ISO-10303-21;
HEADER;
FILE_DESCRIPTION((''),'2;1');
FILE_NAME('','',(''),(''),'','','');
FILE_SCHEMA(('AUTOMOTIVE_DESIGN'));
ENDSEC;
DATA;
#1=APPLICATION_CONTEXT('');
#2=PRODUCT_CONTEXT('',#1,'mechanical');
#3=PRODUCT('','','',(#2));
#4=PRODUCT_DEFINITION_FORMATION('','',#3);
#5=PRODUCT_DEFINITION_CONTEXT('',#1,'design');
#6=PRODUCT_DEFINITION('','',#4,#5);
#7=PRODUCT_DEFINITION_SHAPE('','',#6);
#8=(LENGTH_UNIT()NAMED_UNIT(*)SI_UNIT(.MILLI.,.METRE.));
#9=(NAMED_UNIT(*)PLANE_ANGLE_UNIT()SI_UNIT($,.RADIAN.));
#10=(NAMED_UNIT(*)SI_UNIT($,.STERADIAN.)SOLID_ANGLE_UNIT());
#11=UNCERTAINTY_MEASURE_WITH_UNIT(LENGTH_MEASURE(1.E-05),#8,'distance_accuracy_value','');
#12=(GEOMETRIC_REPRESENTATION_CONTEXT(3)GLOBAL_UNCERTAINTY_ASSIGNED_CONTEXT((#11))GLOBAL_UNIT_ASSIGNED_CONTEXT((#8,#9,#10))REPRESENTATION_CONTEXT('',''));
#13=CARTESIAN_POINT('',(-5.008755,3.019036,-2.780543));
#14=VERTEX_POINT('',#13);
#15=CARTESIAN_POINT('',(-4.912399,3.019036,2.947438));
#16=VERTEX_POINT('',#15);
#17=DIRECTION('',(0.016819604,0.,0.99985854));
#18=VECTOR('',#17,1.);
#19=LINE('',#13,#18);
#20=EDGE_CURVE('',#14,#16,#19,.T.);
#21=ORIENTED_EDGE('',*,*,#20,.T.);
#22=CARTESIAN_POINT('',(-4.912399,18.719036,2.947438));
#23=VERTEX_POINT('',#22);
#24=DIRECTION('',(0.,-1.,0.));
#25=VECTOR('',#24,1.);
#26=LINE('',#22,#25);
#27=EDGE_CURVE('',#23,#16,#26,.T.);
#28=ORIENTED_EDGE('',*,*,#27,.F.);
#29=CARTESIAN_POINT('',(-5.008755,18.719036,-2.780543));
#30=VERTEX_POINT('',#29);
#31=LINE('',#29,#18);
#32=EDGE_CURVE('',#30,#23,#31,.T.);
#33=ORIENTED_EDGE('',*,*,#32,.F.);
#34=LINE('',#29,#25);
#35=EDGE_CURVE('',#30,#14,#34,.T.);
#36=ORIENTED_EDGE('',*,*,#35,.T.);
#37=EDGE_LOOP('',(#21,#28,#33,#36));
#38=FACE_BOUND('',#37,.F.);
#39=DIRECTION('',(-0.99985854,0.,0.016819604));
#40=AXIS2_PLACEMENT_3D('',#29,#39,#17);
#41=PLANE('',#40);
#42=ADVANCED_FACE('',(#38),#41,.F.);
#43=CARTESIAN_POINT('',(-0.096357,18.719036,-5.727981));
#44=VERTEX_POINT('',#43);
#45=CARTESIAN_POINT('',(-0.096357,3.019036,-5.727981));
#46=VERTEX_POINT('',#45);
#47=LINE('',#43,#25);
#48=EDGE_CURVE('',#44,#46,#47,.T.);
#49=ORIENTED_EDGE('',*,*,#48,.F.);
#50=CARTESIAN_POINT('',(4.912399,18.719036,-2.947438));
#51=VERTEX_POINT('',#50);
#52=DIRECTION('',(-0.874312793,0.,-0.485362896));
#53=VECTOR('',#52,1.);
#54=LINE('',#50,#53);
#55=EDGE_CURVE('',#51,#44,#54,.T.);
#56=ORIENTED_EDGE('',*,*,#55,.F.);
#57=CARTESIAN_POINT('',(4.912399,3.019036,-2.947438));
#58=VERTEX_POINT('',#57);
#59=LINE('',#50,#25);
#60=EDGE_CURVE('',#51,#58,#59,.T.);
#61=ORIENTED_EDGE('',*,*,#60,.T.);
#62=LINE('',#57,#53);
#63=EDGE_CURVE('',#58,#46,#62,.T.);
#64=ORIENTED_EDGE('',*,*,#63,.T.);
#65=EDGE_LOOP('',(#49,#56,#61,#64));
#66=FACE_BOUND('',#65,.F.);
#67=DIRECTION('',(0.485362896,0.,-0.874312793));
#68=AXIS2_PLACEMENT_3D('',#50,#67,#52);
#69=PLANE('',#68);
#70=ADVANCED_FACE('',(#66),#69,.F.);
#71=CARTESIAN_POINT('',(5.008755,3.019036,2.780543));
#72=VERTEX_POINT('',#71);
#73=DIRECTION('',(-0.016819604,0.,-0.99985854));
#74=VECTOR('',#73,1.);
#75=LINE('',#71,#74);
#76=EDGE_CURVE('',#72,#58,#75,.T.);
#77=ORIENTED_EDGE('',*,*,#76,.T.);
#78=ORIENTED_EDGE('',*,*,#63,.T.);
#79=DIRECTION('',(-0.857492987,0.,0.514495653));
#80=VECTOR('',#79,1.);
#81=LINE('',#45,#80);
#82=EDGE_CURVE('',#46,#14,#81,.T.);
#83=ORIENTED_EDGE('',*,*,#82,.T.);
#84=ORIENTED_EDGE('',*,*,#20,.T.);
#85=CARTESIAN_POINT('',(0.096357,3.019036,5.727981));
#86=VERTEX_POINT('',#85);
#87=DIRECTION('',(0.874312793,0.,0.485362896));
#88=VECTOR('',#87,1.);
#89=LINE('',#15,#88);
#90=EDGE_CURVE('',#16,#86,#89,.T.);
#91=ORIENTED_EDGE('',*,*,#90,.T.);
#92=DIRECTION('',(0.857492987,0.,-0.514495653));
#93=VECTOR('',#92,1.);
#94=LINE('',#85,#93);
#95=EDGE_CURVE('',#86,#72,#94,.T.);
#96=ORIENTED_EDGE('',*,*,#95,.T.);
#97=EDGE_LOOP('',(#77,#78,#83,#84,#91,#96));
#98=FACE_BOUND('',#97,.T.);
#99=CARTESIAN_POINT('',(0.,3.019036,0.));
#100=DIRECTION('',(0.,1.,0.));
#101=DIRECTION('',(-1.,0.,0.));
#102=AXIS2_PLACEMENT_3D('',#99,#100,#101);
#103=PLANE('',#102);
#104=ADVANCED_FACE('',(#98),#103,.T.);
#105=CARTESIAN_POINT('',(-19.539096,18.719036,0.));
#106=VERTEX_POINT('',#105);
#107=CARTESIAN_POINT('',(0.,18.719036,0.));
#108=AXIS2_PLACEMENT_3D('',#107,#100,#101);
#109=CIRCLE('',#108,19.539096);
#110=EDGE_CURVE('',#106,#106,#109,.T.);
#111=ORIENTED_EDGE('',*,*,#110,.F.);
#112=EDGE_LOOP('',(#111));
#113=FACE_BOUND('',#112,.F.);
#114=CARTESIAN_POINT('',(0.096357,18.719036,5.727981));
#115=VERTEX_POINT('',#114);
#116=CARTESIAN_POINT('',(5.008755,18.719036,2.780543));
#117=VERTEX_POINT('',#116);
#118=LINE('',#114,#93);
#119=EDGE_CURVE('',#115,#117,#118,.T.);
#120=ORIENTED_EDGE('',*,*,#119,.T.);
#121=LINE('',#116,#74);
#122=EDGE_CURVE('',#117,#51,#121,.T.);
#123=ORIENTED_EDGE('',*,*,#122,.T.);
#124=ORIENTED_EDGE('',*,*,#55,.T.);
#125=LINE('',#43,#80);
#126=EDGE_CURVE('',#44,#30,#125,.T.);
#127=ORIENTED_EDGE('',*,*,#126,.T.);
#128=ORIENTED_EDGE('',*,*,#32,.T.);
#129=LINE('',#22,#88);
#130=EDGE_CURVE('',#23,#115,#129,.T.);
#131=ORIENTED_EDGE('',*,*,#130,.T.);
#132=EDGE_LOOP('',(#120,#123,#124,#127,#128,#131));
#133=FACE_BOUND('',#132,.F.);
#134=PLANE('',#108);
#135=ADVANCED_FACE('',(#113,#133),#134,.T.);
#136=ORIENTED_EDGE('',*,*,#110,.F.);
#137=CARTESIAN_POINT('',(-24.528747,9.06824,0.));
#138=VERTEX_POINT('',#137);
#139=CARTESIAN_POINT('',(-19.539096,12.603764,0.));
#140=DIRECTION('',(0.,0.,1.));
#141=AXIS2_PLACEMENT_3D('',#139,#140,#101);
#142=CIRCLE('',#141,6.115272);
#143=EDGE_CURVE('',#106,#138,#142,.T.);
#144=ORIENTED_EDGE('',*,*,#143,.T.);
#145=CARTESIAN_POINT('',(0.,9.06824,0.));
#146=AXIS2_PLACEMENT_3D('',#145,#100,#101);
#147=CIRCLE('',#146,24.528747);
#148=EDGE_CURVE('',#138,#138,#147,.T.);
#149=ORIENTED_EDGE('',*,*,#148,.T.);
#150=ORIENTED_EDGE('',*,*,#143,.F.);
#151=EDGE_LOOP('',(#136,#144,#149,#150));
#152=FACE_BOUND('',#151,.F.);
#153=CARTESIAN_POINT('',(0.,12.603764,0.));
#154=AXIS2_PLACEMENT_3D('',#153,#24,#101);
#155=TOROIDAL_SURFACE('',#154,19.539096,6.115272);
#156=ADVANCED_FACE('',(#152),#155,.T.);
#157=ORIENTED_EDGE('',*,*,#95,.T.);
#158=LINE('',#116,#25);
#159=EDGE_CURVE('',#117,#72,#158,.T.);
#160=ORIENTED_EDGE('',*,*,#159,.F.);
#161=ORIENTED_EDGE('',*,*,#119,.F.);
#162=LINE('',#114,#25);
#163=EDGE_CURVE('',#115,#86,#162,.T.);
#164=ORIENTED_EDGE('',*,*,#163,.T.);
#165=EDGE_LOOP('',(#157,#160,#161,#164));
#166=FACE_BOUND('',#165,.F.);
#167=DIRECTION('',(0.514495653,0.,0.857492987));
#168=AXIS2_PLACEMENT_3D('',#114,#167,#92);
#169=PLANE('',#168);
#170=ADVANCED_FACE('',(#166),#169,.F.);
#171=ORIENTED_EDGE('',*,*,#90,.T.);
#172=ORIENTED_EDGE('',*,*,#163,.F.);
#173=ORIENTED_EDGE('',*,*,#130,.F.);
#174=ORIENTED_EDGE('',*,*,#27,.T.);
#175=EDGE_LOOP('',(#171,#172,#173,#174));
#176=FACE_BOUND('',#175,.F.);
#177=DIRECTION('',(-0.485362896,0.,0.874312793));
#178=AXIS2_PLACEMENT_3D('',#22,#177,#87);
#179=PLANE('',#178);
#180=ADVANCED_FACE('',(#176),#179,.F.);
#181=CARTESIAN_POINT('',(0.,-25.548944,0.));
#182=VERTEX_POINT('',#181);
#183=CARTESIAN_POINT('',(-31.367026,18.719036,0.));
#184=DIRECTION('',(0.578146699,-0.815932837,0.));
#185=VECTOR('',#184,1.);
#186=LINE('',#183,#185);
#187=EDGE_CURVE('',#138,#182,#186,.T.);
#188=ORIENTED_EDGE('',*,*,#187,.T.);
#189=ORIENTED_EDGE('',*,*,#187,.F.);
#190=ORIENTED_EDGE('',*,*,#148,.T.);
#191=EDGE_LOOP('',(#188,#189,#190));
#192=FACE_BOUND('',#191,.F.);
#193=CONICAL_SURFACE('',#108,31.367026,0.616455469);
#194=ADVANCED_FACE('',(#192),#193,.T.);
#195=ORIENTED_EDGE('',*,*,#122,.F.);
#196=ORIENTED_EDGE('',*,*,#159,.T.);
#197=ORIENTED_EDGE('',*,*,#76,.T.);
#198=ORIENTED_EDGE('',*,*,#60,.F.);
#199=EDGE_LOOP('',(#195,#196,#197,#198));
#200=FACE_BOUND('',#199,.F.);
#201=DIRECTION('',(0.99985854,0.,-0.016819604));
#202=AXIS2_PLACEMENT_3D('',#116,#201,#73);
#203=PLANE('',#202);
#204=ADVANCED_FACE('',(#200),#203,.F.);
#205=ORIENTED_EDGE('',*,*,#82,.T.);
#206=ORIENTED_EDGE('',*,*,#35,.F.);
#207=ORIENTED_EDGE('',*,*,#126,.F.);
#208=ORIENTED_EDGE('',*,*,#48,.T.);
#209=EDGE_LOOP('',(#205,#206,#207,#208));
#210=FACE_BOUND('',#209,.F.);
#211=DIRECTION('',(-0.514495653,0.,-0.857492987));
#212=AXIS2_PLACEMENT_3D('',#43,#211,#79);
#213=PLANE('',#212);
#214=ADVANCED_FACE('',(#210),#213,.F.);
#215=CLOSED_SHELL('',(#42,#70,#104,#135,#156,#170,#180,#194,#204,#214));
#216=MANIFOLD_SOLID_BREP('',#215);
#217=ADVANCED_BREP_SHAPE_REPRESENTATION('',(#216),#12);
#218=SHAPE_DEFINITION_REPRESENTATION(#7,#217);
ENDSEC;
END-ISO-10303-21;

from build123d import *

# Parameters (mm, degrees)
F2_R     = 6.115272
F4_DEPTH = 15.7


with BuildPart() as f1:
    # F0 (on Top) → F1 (revolve)
    with BuildSketch(Plane.XY):
        Polygon((0, -25.548944), (0, 18.719036), (-31.367026, 18.719036), align=None)
    revolve(axis=Axis((0, -3.414954, 0), (0, 1, 0)))

    # F2
    f2_edges = [f1.edges().sort_by_distance(p)[0] for p in [
        (31.367026, 18.719036, 0),
    ]]
    fillet(f2_edges, radius=F2_R)

    # F3 (on face) → F4 (cut)
    with BuildSketch(Plane(origin=(0, 18.719036, 0), x_dir=(-1, 0, 0), z_dir=(0, 1, 0))):
        Polygon((-0.096357, 5.727981), (-5.008755, 2.780543), (-4.912399, -2.947438), (0.096357, -5.727981), (5.008755, -2.780543), (4.912399, 2.947438), align=None)
    extrude(amount=-F4_DEPTH, mode=Mode.SUBTRACT)


solid = f1.part
